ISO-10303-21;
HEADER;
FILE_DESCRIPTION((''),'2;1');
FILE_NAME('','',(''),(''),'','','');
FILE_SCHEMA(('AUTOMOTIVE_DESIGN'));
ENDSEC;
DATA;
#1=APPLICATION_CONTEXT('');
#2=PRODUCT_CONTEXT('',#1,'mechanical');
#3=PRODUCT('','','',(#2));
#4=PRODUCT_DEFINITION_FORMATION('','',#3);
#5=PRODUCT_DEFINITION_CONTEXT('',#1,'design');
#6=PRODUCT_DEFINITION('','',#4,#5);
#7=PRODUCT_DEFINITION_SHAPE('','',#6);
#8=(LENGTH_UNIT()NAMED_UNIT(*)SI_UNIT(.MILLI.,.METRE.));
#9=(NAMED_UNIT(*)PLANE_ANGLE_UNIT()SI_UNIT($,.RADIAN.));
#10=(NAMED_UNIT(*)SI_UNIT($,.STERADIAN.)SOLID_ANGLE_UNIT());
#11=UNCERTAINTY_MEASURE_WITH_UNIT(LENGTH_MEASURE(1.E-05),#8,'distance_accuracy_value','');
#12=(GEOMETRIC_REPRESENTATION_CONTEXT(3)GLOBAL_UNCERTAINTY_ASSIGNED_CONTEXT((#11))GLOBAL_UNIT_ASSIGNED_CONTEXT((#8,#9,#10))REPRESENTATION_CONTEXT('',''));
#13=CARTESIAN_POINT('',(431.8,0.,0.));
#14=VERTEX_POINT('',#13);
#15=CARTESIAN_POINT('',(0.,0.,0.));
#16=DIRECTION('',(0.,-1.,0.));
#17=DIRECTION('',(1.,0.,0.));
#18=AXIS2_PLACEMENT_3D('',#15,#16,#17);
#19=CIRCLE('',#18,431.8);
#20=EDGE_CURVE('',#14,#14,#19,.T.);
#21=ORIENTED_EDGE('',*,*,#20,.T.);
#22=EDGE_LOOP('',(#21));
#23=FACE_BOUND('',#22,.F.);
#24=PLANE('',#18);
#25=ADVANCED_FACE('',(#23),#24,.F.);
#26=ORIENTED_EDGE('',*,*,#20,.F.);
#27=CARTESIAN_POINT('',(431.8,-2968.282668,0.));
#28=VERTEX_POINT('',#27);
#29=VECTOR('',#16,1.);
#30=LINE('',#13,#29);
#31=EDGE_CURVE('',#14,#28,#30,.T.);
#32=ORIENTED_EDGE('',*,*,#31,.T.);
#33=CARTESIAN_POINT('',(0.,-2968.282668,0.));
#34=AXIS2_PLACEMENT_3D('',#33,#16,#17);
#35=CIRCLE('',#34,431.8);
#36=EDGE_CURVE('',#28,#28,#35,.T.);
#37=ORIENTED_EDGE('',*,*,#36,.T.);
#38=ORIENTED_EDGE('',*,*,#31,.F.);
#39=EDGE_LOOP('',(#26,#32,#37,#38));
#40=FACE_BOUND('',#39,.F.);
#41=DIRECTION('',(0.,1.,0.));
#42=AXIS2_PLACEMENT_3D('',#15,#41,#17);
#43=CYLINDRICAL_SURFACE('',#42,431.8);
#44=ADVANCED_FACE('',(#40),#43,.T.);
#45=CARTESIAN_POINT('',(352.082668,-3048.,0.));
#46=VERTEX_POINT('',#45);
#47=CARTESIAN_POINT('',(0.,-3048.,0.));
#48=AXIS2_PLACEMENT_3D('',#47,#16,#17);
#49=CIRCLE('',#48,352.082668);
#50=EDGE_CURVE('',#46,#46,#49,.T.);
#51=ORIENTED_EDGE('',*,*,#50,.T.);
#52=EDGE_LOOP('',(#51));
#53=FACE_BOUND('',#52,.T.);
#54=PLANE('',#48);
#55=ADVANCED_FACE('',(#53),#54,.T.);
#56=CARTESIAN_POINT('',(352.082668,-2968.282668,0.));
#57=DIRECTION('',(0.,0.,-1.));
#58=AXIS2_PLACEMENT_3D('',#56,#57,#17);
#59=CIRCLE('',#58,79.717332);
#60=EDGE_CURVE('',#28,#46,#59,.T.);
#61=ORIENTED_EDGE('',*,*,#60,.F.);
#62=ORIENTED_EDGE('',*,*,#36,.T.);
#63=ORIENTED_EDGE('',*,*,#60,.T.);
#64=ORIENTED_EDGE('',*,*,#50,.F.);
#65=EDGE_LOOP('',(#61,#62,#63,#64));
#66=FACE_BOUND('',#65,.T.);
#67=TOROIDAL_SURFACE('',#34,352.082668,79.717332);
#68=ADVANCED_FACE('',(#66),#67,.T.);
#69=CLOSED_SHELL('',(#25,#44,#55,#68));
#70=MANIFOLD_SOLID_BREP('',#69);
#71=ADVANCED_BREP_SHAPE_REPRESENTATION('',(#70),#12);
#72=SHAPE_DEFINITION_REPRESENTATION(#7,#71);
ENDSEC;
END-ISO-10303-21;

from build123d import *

# Parameters (mm, degrees)
F0_R     = 431.8
F1_DEPTH = 3048
F2_R     = 79.717332


with BuildPart() as f1:
    # F0 (on Front) → F1 (new body)
    with BuildSketch(Plane.XZ):
        Circle(F0_R)
    extrude(amount=F1_DEPTH)

    # F2
    f2_edges = [f1.edges().sort_by_distance(p)[0] for p in [
        (-431.8, -3048, 0),
    ]]
    fillet(f2_edges, radius=F2_R)


solid = f1.part
